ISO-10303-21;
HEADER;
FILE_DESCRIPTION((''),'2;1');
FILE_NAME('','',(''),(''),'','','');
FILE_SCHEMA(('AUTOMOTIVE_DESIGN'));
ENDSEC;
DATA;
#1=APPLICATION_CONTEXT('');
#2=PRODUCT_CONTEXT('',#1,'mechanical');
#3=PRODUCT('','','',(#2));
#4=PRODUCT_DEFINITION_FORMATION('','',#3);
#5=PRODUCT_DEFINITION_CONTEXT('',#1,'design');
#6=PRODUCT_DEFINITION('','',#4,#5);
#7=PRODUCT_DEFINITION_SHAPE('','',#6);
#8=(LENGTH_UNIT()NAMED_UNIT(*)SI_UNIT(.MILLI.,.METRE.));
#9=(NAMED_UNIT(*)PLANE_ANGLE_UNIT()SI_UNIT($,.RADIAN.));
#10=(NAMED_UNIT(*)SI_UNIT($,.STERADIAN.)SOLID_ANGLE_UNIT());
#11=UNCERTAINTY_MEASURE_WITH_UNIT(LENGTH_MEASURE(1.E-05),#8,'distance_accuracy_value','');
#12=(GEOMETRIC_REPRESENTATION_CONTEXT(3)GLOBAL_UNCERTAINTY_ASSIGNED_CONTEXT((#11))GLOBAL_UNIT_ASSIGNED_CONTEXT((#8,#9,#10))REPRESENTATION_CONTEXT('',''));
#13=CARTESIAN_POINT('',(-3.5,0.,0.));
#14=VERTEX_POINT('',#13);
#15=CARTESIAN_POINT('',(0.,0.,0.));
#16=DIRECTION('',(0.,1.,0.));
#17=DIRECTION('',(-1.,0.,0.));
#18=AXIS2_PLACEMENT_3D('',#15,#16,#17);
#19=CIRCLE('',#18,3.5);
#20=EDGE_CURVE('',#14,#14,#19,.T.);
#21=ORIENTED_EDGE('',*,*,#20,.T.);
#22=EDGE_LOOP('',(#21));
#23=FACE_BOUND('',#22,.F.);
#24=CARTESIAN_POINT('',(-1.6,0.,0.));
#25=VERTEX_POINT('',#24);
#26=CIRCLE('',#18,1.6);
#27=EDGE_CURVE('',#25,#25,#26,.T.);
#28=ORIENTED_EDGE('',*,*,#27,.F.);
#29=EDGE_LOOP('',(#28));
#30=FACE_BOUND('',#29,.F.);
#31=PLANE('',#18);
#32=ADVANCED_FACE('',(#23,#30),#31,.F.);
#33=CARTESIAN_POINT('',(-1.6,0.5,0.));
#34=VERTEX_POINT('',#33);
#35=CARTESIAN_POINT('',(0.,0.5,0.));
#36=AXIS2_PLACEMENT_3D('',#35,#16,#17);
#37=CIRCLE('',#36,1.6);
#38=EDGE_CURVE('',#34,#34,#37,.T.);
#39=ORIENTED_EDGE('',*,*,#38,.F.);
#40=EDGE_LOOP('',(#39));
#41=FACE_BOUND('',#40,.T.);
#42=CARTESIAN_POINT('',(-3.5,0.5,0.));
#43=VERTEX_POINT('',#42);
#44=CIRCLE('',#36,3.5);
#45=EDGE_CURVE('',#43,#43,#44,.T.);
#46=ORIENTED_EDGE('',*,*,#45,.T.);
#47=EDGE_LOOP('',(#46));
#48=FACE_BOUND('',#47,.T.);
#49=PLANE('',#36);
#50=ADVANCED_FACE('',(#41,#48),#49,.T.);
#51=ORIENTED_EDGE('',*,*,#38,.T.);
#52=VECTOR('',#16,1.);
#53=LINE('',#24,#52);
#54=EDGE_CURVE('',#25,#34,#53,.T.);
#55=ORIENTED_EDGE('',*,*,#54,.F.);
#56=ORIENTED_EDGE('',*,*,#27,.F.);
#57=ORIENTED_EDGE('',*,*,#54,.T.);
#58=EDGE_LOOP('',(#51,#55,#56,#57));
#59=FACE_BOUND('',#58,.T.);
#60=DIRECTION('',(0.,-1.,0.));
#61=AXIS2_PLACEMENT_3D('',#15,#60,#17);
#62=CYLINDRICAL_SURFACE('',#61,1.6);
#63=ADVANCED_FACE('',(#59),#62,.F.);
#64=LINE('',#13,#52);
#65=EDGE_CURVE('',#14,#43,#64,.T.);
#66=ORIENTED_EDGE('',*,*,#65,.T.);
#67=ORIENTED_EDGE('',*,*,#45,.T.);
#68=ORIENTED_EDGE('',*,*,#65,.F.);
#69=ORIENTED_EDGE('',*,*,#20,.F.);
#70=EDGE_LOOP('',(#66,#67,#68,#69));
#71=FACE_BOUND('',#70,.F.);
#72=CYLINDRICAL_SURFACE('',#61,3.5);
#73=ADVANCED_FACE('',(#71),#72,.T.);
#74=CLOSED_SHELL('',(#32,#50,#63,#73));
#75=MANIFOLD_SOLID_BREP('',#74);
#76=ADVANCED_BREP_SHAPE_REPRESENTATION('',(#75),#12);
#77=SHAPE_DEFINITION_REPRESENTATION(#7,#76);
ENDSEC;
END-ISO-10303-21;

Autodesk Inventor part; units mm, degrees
ref_plane "YZ Plane" through (0, 0, 0) normal (1, 0, 0) x (0, 1, 0)
ref_plane "XZ Plane" through (0, 0, 0) normal (0, 1, 0) x (-1, 0, 0)
ref_plane "XY Plane" through (0, 0, 0) normal (0, 0, 1) x (1, 0, 0)
sketch "Sketch1" plane through (0, 0, 0) normal (0, 1, 0) x (-1, 0, 0)
  circle A0 centre (0, 0) radius 1.6
  circle A1 centre (0, 0) radius 3.5
  dimension "d0" = 3.2
  dimension "d1" = 7
extrude "Extrusion1" add sketch "Sketch1" along normal blind 0.5
properties part number "M3_WASHER"
